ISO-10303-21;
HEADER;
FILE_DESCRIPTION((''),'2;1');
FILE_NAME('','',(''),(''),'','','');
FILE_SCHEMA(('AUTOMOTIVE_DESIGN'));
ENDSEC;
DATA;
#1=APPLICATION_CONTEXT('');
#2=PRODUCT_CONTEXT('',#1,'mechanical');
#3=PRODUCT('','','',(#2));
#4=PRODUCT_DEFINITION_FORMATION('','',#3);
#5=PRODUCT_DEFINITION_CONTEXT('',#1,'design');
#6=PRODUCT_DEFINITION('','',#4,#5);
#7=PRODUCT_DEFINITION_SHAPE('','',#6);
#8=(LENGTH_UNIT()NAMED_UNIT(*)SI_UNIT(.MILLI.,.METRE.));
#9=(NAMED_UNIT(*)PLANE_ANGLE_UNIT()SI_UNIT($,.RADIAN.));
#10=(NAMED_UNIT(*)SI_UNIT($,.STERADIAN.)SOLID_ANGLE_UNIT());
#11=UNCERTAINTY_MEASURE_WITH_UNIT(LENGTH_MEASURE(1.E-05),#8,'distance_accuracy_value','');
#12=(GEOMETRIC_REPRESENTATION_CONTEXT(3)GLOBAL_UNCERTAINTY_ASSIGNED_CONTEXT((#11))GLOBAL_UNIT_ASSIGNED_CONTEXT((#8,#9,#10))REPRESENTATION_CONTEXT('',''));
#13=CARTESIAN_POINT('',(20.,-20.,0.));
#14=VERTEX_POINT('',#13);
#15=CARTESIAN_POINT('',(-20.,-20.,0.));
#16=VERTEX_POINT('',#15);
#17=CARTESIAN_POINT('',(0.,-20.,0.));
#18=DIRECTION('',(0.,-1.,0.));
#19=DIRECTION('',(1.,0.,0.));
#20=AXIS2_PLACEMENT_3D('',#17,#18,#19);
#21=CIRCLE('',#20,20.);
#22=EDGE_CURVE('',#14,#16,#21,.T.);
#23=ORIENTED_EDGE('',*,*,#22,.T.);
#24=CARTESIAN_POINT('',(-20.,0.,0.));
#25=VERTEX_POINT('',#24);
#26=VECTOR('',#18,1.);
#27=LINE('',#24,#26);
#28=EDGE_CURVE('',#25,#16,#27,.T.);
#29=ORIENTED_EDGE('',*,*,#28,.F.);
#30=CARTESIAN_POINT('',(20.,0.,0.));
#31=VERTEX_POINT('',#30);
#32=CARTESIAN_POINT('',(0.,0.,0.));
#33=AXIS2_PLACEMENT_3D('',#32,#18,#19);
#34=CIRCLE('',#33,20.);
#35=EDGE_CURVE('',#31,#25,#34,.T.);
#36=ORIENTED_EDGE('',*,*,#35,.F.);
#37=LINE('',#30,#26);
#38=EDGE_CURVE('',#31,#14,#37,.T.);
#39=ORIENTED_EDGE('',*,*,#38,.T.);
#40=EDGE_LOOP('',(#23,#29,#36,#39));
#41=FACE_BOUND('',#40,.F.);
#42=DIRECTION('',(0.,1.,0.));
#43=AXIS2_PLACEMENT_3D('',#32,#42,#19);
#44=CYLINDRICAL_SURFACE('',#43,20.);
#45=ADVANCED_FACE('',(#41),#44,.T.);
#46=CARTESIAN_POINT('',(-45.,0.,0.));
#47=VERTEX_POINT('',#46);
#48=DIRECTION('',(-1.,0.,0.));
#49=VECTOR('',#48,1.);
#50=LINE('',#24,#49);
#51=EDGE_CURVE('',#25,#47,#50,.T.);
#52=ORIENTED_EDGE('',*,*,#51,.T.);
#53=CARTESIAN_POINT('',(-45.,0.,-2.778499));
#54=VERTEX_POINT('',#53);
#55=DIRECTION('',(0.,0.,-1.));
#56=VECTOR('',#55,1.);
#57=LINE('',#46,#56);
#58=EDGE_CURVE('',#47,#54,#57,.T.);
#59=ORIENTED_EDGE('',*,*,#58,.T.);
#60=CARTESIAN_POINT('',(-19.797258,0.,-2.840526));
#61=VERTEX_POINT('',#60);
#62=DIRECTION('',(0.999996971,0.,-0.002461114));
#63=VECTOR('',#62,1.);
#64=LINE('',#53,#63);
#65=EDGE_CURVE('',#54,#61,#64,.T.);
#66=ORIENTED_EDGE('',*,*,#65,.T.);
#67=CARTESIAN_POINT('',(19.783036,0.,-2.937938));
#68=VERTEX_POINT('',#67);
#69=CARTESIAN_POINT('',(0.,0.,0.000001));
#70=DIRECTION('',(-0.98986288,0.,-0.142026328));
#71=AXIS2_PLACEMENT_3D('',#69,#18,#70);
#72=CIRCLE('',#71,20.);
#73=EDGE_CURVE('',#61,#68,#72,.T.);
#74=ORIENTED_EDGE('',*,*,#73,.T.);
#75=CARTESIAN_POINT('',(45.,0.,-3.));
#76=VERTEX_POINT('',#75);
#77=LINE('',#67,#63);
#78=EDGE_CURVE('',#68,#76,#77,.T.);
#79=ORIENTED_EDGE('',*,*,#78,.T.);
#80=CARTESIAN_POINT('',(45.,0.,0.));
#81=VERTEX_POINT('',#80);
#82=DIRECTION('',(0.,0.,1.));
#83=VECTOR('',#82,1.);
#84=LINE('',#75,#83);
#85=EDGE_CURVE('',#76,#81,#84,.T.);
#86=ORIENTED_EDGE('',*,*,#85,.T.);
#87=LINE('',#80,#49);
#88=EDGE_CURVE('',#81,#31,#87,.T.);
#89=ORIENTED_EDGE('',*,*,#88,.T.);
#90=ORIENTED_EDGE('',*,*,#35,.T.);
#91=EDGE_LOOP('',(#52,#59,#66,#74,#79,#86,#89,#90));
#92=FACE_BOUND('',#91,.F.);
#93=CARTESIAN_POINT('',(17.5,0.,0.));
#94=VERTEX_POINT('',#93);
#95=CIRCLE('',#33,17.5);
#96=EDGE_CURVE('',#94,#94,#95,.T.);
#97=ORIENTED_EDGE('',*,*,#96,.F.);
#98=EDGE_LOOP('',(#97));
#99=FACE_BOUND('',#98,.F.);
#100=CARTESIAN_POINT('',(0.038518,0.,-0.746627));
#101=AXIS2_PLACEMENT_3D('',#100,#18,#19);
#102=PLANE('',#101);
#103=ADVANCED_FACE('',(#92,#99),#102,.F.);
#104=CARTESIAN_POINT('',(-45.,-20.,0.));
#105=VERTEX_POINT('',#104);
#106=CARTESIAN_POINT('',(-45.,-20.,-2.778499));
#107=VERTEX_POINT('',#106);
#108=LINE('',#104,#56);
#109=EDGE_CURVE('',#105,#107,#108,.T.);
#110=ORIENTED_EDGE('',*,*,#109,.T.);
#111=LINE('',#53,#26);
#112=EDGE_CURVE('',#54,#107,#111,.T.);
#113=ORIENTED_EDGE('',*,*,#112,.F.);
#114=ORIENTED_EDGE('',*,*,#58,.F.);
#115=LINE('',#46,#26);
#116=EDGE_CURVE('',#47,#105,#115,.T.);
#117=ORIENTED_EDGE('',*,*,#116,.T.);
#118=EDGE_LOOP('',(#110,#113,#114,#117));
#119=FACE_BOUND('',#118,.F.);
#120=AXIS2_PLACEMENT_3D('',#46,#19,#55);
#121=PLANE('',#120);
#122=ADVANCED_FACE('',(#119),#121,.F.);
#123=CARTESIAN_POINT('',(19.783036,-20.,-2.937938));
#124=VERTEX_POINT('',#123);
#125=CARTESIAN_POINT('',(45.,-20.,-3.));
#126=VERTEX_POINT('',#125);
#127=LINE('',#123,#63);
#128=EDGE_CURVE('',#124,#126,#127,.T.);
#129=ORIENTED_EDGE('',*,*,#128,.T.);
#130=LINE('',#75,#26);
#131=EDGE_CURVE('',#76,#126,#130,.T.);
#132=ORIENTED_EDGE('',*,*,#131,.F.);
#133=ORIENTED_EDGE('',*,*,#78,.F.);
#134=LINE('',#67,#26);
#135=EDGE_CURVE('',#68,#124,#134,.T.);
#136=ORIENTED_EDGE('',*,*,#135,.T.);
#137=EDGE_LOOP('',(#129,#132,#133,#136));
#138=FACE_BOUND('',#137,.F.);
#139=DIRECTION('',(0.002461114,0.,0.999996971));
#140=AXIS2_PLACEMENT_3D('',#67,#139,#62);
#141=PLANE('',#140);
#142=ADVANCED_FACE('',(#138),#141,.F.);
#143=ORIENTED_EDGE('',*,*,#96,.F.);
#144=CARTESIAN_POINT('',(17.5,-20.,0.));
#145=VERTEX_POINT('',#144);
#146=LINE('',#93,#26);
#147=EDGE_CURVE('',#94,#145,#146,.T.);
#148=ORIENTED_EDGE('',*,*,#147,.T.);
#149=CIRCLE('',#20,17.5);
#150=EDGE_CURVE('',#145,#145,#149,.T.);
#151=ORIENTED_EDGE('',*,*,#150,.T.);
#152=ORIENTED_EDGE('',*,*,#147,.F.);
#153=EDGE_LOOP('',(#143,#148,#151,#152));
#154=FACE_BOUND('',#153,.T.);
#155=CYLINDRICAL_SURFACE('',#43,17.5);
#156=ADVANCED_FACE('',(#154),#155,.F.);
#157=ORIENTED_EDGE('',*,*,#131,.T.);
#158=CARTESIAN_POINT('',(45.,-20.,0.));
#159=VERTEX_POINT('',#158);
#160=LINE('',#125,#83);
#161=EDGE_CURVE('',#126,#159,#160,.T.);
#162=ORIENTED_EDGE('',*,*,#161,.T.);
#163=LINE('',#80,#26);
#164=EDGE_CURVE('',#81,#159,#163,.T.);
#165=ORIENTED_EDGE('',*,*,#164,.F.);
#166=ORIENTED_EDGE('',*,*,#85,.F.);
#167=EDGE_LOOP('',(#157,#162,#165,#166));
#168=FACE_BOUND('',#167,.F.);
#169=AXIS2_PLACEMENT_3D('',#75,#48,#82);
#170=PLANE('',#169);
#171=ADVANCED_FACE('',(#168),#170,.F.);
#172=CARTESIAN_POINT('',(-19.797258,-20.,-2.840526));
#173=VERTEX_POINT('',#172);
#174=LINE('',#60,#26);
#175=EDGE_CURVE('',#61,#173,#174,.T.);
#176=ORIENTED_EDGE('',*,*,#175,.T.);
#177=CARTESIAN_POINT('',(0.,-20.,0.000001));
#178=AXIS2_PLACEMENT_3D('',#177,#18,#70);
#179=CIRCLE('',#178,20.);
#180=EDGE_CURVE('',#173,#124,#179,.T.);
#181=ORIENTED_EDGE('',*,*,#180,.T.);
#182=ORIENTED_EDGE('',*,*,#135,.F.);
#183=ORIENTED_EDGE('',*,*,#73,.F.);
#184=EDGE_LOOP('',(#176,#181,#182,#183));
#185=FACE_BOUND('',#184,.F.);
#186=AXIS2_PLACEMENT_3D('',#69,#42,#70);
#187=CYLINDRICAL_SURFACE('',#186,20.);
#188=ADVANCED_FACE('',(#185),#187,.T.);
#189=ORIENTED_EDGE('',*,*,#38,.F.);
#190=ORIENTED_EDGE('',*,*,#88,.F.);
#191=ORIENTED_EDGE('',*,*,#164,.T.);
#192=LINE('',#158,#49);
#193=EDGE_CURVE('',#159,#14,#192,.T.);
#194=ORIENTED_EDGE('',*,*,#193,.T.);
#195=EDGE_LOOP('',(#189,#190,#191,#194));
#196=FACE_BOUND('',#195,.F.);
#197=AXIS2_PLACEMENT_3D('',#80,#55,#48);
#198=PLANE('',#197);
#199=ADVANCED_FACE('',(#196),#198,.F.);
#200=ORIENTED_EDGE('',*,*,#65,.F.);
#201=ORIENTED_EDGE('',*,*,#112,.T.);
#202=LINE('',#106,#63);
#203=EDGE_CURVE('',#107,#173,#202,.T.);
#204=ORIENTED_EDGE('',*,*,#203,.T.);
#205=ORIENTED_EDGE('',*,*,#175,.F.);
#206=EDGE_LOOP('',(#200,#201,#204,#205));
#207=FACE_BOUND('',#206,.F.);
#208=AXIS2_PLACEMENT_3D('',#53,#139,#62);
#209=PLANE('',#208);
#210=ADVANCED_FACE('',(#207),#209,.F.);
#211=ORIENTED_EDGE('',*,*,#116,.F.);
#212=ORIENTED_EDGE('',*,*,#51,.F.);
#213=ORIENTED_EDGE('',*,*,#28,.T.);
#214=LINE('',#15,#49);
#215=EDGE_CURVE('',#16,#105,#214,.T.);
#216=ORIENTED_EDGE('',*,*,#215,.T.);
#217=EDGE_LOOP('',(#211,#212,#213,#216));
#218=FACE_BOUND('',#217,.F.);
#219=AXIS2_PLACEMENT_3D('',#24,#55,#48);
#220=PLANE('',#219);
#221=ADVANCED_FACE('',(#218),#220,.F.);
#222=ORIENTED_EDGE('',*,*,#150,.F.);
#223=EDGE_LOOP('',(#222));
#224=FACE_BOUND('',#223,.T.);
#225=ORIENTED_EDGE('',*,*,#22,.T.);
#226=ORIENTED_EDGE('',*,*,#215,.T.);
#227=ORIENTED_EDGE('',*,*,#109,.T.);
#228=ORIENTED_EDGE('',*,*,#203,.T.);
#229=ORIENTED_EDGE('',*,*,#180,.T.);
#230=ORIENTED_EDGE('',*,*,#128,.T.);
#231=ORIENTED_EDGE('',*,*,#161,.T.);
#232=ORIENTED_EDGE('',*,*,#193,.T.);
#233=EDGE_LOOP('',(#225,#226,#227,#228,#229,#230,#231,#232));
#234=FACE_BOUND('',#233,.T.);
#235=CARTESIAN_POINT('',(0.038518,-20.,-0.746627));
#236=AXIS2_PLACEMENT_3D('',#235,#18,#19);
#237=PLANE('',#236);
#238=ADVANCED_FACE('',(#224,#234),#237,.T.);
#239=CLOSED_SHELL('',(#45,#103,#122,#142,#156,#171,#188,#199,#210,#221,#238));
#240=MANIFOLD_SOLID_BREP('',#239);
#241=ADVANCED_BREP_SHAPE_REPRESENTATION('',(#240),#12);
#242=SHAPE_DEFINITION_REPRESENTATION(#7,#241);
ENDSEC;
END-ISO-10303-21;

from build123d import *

# Parameters (mm, degrees)
F0_R     = 17.5
F1_DEPTH = 20


with BuildPart() as f1:
    # F0 (on Front) → F1 (new body)
    with BuildSketch(Plane.XZ):
        with BuildLine():
            Line((45, 0), (20, 0))
            ThreePointArc((20, 0), (0, 20), (-20, 0))
            Line((-20, 0), (-45, 0))
            Line((-45, 0), (-45, -2.778499))
            Line((-45, -2.778499), (-19.797258, -2.840526))
            ThreePointArc((-19.797258, -2.840526), (-0.049222, -19.999939), (19.783036, -2.937938))
            Line((19.783036, -2.937938), (45, -3))
            Line((45, -3), (45, 0))
        make_face()
        Circle(F0_R, mode=Mode.SUBTRACT)
    extrude(amount=F1_DEPTH)


solid = f1.part
